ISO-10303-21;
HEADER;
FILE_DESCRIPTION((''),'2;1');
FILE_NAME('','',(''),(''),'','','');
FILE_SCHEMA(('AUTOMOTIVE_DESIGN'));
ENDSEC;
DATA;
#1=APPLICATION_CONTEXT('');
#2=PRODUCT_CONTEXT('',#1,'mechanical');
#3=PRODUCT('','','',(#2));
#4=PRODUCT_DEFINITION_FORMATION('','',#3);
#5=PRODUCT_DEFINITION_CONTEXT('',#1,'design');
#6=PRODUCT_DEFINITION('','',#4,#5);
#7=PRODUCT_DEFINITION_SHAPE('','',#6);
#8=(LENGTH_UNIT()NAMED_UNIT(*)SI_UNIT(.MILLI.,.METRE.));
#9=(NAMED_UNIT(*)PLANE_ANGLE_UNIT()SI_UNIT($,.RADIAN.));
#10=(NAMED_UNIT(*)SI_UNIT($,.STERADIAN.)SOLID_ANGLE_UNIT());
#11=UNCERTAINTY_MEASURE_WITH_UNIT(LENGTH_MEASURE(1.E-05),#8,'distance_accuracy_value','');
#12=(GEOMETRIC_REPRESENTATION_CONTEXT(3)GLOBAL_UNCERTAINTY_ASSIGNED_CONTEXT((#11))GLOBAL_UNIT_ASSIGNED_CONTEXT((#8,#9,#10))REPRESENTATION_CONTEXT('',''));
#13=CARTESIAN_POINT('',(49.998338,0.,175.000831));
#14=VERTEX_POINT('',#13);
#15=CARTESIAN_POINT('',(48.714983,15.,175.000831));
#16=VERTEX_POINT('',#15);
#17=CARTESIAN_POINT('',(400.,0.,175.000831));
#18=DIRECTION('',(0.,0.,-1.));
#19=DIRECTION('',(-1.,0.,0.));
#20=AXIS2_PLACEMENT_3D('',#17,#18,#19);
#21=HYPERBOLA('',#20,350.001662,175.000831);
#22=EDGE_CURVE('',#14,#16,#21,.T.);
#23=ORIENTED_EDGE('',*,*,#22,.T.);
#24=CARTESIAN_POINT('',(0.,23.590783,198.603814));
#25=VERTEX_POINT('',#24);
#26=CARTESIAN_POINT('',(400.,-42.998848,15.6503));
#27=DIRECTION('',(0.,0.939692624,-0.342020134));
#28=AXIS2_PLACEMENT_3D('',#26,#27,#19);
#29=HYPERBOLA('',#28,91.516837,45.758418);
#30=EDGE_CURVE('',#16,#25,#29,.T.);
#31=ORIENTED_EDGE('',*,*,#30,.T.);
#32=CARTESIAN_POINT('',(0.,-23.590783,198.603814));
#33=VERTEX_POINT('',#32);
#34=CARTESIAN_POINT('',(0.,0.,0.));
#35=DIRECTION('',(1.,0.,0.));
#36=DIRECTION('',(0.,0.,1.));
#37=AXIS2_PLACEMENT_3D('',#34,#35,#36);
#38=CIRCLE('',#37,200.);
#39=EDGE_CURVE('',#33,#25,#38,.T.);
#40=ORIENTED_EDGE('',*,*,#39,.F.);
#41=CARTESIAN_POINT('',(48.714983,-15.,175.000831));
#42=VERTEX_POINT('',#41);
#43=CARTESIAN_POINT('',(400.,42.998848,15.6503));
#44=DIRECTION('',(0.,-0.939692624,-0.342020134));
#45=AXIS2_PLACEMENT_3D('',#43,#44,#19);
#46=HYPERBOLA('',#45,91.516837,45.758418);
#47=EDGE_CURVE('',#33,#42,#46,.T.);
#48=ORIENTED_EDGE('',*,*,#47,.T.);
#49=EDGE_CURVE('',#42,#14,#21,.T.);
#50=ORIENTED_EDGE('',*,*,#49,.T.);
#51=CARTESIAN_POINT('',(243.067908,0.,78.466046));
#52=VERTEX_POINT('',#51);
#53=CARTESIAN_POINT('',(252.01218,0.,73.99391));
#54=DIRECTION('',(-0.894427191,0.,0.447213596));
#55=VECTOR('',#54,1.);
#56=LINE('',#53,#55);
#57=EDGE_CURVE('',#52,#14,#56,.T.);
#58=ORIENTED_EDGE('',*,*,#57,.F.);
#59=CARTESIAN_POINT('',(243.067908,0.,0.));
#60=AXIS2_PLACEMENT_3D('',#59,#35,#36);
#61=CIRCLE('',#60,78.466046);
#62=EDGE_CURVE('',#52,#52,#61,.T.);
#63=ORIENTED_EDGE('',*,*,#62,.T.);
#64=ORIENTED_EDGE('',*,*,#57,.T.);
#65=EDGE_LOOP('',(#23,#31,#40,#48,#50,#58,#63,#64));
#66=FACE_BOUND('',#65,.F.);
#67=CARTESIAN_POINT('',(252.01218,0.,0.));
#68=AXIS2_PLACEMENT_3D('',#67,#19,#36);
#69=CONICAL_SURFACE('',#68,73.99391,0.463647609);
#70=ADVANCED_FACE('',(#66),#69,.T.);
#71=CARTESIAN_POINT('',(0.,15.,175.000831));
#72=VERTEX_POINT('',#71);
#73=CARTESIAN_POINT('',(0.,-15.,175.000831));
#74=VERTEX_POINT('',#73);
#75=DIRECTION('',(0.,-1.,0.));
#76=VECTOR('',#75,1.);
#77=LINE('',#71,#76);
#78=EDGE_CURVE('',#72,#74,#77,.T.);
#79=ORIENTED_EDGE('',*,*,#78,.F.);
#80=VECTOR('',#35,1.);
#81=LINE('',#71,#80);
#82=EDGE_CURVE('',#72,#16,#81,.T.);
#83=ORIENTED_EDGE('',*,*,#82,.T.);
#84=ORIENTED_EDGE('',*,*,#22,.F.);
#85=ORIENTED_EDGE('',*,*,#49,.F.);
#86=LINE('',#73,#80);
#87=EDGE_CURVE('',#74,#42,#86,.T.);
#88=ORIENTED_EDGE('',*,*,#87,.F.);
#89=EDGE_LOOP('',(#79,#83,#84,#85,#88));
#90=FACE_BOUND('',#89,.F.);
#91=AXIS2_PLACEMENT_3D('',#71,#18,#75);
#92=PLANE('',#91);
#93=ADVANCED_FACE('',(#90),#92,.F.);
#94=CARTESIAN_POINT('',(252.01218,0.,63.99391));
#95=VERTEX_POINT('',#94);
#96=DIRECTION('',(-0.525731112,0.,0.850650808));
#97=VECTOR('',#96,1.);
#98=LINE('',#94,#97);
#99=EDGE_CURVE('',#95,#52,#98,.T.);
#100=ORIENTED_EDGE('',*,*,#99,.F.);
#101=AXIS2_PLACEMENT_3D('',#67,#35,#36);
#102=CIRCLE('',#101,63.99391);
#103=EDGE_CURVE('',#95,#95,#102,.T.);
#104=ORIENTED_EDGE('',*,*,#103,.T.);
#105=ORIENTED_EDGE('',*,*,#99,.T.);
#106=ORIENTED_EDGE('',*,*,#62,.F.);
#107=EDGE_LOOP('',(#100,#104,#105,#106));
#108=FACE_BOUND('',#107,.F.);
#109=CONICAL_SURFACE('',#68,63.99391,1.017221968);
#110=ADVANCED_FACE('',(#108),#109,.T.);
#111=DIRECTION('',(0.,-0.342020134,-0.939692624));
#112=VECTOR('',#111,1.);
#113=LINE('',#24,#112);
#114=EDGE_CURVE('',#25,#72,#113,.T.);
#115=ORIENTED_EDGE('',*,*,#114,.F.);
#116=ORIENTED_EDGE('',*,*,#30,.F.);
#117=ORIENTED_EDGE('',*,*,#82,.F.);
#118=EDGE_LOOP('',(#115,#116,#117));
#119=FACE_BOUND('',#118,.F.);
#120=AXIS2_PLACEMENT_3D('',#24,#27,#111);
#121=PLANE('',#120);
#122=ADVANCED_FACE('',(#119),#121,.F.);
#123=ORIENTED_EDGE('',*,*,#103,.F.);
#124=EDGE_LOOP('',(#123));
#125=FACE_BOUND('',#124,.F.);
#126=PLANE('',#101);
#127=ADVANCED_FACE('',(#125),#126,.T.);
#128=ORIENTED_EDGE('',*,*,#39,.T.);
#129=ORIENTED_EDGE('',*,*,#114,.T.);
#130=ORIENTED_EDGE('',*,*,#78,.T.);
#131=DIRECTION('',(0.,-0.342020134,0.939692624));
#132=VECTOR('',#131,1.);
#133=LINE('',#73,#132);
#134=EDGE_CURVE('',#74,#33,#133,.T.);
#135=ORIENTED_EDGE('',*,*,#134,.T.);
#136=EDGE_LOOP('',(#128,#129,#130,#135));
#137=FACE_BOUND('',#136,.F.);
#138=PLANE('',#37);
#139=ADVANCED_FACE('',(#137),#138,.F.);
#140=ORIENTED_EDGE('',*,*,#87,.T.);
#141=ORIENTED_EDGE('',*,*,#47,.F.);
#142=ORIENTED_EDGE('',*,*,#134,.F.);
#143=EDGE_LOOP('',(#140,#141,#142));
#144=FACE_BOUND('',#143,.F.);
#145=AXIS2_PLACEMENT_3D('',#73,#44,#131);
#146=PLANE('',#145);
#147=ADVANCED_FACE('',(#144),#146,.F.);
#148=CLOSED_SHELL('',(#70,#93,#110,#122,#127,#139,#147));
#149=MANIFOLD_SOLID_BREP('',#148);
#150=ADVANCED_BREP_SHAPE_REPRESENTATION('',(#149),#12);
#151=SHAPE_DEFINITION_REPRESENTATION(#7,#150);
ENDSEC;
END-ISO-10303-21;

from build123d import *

# Parameters (mm, degrees)
F2_SIZE  = 10
F4_DEPTH = 1000


with BuildPart() as f1:
    # F0 (on Front) → F1 (revolve)
    with BuildSketch(Plane.XZ):
        Polygon((0, 200), (0, 0), (252.01218, 0), (252.01218, 73.99391), align=None)
    revolve(axis=Axis((191.066653, 0, 0), (1, 0, 0)))

    # F2
    f2_edges = [f1.edges().sort_by_distance(p)[0] for p in [
        (252.01218, 0, -73.99391),
    ]]
    chamfer(f2_edges, length=F2_SIZE)

    # F3 (on face) → F4 (cut)
    with BuildSketch(Plane(origin=(0, 0, 0), x_dir=(0, -1, 0), z_dir=(-1, 0, 0))):
        with BuildLine():
            Line((-15, 175.000831), (0, 175.000831))
            Line((0, 175.000831), (15, 175.000831))
            Line((15, 175.000831), (23.590783, 198.603814))
            ThreePointArc((23.590783, 198.603814), (0, 200), (-23.590783, 198.603814))
            Line((-23.590783, 198.603814), (-15, 175.000831))
        make_face()
    extrude(amount=-F4_DEPTH, mode=Mode.SUBTRACT)


solid = f1.part
